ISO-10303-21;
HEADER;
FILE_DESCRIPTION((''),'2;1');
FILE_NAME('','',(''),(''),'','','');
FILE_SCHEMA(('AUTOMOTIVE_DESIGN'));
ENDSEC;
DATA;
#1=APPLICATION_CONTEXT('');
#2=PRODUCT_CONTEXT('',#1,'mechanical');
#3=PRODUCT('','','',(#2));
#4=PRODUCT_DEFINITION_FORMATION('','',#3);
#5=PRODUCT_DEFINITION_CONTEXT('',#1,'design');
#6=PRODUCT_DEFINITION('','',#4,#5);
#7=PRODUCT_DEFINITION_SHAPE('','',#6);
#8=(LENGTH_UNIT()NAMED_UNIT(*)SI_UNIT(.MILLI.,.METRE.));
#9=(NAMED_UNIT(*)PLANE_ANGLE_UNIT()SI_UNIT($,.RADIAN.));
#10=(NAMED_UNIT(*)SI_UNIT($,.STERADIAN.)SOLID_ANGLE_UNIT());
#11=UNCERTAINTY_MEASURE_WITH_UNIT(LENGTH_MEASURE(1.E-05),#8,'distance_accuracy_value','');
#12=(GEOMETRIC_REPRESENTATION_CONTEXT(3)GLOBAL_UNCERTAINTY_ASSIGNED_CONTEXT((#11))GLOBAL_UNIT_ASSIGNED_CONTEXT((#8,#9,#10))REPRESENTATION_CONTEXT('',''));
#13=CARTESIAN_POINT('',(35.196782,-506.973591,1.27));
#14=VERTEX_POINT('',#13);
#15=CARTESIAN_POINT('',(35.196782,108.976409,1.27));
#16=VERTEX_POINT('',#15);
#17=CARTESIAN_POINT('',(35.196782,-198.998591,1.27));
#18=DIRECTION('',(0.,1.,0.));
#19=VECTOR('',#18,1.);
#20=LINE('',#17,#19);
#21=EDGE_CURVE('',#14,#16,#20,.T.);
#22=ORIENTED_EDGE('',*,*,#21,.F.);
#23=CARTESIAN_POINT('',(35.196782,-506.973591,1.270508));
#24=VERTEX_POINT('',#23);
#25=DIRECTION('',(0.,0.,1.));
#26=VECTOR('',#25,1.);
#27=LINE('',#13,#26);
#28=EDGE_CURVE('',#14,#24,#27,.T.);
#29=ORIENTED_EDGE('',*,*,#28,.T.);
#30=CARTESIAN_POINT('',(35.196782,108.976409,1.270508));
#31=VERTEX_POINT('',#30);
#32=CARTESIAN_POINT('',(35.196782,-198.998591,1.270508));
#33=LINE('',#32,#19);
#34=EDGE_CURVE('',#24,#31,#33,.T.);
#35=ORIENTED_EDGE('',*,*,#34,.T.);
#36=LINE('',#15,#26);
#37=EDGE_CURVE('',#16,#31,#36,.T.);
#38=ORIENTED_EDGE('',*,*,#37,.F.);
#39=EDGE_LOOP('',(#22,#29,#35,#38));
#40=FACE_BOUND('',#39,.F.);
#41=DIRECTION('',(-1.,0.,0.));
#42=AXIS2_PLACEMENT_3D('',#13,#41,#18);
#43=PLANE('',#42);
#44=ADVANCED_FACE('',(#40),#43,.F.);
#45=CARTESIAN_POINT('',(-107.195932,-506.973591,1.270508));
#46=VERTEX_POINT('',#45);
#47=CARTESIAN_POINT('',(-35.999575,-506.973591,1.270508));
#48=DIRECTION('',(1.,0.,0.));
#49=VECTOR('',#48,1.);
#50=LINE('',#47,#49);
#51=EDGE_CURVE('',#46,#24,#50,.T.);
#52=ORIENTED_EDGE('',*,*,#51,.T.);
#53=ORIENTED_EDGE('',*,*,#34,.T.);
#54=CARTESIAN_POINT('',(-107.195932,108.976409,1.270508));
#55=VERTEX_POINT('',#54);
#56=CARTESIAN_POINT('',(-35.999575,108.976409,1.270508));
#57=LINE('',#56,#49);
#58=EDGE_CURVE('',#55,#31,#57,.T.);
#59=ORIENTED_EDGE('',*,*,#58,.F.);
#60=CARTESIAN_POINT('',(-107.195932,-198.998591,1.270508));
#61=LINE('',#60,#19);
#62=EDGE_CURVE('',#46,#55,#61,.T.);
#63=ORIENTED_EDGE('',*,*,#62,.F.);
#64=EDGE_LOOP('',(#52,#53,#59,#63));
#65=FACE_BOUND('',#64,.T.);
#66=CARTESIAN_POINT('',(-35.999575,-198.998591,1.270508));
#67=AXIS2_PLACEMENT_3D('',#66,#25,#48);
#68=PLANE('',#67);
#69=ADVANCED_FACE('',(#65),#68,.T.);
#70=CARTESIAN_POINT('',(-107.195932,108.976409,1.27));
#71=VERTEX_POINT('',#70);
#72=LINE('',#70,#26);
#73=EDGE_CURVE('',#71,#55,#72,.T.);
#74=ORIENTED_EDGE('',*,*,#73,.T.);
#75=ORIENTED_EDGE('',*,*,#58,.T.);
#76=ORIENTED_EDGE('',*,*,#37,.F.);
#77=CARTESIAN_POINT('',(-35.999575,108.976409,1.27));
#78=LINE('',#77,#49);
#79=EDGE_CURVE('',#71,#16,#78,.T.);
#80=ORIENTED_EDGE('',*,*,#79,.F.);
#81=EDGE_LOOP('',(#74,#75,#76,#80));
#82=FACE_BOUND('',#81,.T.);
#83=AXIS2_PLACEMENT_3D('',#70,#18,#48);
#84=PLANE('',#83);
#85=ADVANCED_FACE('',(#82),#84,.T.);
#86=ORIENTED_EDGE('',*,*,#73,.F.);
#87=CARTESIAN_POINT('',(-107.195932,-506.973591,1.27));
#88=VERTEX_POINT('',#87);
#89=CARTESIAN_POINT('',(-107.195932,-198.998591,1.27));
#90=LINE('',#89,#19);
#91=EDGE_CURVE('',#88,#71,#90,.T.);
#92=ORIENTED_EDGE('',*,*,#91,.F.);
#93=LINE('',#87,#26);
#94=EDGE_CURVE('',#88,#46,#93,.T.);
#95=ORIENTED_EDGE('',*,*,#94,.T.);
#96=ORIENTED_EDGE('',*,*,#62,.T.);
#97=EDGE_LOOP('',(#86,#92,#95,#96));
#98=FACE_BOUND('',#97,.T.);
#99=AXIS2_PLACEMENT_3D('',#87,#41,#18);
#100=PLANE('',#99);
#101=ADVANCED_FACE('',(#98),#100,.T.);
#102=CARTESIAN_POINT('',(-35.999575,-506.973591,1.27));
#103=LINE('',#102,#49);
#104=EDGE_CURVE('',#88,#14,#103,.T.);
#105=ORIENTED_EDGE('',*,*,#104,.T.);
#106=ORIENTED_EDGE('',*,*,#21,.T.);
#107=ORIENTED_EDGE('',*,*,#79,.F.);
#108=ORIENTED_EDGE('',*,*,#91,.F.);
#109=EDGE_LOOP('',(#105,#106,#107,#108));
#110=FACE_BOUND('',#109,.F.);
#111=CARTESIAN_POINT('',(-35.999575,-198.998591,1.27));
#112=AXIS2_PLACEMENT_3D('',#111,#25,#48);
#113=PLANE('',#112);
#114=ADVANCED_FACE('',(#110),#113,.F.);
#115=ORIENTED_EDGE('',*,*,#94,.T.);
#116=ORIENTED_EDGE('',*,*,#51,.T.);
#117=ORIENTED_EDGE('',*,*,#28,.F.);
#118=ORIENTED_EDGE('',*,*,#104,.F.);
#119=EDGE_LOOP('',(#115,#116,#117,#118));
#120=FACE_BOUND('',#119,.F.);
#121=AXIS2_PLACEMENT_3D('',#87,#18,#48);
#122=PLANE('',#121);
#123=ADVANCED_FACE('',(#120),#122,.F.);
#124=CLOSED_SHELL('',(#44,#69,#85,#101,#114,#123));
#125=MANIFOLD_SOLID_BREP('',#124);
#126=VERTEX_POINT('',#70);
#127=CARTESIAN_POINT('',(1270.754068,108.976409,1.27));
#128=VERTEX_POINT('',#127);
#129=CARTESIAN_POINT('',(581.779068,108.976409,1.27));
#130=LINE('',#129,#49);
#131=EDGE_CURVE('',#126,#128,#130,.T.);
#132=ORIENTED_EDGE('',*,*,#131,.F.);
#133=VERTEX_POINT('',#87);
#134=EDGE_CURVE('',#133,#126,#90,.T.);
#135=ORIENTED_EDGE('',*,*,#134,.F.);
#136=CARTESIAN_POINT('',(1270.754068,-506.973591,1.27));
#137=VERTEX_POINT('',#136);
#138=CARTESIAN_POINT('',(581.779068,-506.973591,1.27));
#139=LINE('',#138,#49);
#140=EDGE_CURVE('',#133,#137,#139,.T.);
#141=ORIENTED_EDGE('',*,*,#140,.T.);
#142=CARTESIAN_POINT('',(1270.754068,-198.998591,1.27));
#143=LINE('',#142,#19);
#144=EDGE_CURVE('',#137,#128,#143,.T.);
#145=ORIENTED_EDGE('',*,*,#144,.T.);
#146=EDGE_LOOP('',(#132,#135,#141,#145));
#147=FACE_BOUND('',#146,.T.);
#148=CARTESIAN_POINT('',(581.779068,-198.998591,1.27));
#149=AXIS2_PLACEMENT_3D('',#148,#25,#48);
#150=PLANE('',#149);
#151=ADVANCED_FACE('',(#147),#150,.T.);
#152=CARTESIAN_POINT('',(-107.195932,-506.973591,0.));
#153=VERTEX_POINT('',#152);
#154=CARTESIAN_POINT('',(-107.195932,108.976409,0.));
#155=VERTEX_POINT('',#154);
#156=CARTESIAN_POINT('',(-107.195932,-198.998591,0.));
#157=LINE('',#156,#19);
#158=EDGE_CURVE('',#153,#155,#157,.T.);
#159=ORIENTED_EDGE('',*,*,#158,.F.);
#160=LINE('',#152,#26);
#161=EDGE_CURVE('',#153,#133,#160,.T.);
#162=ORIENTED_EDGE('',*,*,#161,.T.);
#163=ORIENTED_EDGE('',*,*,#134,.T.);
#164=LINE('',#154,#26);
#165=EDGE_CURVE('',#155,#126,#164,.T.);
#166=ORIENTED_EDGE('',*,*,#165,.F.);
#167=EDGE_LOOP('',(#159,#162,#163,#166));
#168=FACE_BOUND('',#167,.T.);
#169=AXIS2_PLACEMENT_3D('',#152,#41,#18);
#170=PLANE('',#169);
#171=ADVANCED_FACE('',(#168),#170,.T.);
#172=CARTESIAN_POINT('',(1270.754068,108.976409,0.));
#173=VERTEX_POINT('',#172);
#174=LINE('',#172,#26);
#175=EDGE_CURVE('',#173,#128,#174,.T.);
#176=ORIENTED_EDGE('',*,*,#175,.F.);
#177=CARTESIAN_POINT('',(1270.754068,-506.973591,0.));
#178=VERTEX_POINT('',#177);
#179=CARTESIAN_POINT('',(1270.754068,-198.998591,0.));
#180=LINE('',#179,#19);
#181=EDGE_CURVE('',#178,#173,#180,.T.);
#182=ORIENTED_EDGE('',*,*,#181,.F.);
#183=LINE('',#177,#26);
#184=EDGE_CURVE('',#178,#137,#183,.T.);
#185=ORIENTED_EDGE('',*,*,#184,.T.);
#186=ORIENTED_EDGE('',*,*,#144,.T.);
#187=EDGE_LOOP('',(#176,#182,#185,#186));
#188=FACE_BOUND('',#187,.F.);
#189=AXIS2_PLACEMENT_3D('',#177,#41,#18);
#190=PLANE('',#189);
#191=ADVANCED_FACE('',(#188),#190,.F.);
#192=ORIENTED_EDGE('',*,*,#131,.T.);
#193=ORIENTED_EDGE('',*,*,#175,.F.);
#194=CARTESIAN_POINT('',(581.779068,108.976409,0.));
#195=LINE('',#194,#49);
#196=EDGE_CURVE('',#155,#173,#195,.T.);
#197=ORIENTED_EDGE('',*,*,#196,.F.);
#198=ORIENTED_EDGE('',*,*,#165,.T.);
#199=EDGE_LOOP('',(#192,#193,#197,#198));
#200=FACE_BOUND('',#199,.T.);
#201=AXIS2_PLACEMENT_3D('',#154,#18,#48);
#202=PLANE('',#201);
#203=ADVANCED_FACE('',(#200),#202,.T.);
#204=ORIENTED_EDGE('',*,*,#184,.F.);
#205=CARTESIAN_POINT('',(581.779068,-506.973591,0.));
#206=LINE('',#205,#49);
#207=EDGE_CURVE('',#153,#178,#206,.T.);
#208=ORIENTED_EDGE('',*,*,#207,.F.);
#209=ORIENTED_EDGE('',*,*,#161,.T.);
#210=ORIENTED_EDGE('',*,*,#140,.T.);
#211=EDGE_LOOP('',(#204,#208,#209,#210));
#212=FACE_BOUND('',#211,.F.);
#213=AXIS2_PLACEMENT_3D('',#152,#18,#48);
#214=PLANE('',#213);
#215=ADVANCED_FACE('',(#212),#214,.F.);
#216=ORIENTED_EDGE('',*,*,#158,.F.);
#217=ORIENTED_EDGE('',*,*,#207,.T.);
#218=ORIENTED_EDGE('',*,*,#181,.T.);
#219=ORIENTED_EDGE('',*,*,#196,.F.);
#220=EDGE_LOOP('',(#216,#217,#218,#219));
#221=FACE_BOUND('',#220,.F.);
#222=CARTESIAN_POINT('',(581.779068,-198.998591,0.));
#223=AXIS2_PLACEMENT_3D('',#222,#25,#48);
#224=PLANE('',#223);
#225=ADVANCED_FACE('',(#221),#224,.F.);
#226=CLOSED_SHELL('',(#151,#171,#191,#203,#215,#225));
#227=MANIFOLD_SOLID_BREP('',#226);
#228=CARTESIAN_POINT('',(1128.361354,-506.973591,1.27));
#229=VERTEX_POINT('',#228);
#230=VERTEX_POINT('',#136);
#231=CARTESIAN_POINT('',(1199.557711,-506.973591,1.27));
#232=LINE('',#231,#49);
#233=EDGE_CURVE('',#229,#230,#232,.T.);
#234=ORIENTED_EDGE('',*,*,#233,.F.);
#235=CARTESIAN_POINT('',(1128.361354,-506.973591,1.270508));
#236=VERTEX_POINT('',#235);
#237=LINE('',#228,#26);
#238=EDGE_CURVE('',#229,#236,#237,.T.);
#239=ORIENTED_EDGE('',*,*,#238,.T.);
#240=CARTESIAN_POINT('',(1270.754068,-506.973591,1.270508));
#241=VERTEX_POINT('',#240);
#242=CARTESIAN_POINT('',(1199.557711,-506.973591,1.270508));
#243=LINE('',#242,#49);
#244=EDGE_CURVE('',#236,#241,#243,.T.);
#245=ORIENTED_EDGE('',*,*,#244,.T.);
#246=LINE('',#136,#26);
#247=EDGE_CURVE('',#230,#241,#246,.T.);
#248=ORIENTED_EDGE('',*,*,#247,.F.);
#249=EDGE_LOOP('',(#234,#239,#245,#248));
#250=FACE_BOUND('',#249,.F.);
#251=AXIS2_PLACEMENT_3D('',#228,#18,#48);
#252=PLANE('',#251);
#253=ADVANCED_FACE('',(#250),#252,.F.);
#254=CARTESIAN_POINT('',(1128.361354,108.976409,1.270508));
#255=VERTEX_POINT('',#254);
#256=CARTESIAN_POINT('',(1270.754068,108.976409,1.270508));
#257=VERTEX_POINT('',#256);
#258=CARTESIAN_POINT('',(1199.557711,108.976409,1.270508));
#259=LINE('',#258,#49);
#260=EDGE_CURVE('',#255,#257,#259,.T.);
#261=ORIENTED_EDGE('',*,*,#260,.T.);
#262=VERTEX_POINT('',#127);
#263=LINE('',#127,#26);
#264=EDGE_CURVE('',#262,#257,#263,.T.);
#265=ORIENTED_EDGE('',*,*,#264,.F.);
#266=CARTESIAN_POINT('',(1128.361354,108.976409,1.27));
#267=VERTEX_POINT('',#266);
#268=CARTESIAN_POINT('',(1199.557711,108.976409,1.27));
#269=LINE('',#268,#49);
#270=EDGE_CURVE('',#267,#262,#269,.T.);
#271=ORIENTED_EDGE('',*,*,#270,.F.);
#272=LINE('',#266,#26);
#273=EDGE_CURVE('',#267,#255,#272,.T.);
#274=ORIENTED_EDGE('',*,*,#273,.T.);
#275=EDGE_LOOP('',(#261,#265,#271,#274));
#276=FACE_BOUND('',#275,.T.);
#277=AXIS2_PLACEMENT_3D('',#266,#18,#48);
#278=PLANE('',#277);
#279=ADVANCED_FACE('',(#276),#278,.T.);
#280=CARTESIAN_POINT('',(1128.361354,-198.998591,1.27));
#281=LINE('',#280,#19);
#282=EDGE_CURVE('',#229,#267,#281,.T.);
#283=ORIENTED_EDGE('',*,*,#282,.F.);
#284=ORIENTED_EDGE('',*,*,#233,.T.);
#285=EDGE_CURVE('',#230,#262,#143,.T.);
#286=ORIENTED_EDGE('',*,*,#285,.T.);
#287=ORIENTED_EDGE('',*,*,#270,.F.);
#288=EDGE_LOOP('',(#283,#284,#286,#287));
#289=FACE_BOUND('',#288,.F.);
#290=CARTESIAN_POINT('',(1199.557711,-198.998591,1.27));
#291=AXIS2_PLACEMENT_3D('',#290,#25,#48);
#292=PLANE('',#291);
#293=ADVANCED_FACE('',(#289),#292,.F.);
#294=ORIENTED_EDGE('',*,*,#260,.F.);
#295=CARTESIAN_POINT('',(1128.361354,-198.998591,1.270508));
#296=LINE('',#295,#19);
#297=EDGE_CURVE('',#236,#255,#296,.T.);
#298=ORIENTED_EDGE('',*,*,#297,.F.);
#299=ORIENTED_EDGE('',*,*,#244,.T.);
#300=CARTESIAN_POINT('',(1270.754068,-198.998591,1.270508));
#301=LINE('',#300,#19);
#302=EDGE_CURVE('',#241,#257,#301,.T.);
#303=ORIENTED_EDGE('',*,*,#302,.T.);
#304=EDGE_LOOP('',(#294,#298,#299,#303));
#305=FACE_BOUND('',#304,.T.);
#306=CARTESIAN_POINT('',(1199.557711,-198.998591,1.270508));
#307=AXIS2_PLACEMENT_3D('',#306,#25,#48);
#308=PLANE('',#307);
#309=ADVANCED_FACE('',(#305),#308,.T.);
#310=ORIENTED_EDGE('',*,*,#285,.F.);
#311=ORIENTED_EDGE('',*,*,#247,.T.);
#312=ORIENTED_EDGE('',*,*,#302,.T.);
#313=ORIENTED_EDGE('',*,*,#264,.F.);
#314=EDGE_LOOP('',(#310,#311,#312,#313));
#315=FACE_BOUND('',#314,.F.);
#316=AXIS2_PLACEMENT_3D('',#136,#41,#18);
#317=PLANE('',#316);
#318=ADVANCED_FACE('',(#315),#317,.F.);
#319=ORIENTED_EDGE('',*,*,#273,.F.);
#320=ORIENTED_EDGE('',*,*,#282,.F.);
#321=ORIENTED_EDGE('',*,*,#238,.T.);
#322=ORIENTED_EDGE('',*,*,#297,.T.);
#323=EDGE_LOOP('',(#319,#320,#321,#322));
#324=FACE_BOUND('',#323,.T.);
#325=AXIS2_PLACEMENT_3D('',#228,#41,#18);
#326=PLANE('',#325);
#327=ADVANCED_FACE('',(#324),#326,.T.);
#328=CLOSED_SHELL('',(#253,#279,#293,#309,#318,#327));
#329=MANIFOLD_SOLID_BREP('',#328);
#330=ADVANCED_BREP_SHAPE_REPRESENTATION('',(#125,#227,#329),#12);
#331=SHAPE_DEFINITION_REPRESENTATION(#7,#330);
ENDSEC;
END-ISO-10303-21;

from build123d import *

# Parameters (mm, degrees)
F0_W     = 1377.95
F0_H     = 615.95
F1_DEPTH = 1.27
F2_W     = 142.392713
F2_H     = 615.95
F2_W_2   = 142.392714
F3_DEPTH = 0.000508


with BuildPart() as f1:
    # F0 (on Top) → F1 (new body)
    with BuildSketch(Plane.XY):
        with Locations((581.779068, -198.998591)):
            Rectangle(F0_W, F0_H)
    extrude(amount=F1_DEPTH)


with BuildPart() as f3:
    # F2 (on face) → F3 (new body)
    with BuildSketch(Plane.XY.offset(1.27)):
        with Locations((-35.999575, -198.998591)):
            Rectangle(F2_W, F2_H)
        with Locations((1199.557711, -198.998591)):
            Rectangle(F2_W_2, F2_H)
    extrude(amount=F3_DEPTH)


solid = Compound([f1.part, f3.part])
